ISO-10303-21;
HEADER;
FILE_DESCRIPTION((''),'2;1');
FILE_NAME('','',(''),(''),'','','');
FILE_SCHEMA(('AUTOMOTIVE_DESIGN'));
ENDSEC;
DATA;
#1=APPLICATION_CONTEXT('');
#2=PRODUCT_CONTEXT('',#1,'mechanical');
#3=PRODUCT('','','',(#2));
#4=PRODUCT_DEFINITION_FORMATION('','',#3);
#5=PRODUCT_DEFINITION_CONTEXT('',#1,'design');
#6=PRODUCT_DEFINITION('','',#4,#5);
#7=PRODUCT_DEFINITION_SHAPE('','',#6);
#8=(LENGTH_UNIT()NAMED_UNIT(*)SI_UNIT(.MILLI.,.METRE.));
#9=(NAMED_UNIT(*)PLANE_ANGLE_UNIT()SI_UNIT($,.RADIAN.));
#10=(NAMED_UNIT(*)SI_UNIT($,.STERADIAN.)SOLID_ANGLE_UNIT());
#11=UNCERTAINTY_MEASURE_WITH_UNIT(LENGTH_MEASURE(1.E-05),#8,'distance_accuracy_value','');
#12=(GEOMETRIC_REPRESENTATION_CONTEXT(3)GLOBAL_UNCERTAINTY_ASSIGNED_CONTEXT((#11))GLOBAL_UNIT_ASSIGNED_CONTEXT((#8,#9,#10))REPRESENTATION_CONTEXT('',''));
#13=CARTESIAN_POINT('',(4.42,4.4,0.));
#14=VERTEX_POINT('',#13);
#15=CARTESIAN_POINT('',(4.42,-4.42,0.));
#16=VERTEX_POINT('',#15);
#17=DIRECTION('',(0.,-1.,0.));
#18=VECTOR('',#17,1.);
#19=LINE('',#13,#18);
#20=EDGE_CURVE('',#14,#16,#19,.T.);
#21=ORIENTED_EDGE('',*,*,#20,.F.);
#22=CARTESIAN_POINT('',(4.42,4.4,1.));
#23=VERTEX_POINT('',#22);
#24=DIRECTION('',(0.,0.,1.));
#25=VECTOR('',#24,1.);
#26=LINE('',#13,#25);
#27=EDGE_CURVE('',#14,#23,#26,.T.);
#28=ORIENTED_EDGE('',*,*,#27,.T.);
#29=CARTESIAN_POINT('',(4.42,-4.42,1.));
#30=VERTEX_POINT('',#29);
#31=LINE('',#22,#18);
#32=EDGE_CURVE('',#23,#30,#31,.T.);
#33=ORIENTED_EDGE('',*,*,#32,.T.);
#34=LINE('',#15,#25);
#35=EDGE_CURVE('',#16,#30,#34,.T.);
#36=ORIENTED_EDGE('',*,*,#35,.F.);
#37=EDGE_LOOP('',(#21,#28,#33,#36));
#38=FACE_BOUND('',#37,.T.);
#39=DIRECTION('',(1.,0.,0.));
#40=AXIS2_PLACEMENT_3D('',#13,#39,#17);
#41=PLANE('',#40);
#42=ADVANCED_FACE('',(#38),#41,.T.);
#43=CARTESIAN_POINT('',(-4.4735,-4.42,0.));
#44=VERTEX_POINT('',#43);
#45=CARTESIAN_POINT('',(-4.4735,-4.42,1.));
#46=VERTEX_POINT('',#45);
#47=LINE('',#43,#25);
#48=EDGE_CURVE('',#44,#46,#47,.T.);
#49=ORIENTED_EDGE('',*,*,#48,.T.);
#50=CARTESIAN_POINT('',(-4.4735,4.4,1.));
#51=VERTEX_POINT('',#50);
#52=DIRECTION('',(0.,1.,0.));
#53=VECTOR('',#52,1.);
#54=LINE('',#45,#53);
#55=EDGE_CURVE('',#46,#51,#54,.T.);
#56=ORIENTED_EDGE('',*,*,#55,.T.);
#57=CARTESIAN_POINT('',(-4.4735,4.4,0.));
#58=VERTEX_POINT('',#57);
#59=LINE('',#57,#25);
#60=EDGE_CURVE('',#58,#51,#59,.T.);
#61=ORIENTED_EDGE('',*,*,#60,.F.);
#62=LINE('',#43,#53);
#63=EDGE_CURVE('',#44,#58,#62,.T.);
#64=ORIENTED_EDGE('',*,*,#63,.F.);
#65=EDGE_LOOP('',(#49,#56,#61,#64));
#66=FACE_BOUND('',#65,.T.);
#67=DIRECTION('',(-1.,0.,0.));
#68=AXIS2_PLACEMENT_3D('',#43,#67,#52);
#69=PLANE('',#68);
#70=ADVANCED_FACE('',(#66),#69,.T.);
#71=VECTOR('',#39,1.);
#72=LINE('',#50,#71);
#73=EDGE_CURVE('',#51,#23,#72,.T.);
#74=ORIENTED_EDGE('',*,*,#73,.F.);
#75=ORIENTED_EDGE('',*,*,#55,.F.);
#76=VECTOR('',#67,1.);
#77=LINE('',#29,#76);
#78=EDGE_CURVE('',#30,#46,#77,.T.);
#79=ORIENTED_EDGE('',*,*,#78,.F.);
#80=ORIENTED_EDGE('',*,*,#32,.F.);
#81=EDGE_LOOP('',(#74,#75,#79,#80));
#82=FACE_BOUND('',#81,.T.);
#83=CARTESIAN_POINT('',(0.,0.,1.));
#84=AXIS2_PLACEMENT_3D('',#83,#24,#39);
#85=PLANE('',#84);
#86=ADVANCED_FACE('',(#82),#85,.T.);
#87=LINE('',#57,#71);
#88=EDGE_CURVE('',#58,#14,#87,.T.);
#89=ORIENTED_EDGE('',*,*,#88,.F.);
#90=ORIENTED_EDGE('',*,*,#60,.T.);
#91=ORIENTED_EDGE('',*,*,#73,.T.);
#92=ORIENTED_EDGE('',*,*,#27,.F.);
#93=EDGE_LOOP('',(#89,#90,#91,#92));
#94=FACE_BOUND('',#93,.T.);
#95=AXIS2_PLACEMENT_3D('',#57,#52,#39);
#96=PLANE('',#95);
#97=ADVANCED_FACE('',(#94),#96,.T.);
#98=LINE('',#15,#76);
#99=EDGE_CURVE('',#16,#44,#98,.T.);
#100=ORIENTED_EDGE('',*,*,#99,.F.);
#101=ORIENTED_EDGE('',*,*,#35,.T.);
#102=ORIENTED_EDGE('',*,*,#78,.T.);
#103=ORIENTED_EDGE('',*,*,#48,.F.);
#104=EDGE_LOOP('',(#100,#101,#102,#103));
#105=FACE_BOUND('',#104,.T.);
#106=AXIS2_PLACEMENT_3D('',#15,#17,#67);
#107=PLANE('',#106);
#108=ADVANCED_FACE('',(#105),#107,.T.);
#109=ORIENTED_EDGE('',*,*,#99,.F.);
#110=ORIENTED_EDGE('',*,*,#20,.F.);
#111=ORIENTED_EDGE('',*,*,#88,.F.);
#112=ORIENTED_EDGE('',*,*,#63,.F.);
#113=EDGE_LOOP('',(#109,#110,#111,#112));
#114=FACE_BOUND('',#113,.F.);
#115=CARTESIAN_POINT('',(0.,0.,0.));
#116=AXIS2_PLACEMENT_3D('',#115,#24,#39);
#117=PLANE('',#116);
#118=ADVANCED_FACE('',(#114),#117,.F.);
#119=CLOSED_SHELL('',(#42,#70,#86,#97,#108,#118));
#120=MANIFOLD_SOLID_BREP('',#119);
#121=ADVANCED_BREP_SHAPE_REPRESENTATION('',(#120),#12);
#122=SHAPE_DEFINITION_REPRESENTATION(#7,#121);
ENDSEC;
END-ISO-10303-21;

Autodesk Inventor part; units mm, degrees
ref_plane "YZ Plane" through (0, 0, 0) normal (1, 0, 0) x (0, 1, 0)
ref_plane "XZ Plane" through (0, 0, 0) normal (0, 1, 0) x (-1, 0, 0)
ref_plane "XY Plane" through (0, 0, 0) normal (0, 0, 1) x (1, 0, 0)
sketch "RGC64, MSP430F5528IRGC_89" plane through (0, 0, 0) normal (0, 0, 1) x (1, 0, 0)
  line L0 (-4.4735, 4.4) -> (4.42, 4.4)
  line L1 (4.42, 4.4) -> (4.42, -4.42)
  line L2 (4.42, -4.42) -> (-4.4735, -4.42)
  line L3 (-4.4735, -4.42) -> (-4.4735, 4.4)
extrude "Extrusion1" add sketch "RGC64, MSP430F5528IRGC_89" along normal blind 1
properties part number "MSP430F5528IRGC"
